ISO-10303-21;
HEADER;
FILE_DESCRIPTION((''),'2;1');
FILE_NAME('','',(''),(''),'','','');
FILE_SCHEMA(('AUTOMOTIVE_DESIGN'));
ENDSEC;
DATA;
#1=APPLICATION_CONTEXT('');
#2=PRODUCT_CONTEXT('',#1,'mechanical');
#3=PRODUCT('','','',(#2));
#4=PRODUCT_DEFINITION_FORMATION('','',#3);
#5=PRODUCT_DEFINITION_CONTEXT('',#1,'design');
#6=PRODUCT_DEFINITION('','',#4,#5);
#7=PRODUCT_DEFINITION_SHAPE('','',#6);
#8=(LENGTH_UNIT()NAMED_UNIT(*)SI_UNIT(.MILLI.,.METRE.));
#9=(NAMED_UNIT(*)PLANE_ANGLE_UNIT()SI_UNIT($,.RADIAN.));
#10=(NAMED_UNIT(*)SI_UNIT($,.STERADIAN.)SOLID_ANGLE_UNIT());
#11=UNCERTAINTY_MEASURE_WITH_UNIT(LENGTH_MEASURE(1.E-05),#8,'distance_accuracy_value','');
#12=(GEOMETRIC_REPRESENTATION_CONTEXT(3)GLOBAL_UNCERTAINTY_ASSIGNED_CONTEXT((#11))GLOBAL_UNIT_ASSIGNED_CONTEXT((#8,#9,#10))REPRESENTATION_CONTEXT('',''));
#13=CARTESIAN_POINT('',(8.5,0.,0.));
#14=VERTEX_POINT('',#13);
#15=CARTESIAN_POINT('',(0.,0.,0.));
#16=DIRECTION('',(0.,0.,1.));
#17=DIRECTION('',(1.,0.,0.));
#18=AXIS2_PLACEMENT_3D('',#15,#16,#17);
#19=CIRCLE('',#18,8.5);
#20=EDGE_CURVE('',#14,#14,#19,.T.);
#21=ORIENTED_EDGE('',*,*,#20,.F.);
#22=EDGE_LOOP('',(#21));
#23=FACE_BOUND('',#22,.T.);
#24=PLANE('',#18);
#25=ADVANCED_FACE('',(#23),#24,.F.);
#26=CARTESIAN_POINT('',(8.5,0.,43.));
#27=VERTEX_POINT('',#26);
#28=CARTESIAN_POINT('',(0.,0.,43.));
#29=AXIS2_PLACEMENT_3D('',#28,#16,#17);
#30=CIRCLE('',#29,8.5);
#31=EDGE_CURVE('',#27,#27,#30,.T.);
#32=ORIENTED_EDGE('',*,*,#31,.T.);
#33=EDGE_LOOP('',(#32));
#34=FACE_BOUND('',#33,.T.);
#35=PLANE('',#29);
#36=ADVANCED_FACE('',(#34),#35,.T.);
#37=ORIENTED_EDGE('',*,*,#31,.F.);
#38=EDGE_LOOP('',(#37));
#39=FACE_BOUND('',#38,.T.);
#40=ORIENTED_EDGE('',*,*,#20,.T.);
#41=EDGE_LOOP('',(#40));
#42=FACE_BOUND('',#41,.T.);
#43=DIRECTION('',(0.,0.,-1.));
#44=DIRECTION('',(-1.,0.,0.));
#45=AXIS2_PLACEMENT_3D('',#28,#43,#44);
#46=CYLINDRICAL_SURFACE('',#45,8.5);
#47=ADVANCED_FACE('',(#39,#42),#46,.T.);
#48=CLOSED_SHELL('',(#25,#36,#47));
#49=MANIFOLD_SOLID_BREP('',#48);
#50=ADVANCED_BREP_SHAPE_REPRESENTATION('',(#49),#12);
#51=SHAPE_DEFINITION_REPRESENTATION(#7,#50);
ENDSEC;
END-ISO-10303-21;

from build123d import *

# Parameters (mm, degrees)
MAIN_SKETCH_R        = 8.5
MAIN_EXTRUSION_DEPTH = 43


with BuildPart() as part:
    # Main-Sketch → Main-Extrusion (new body)
    with BuildSketch(Plane.XY):
        Circle(MAIN_SKETCH_R)
    extrude(amount=MAIN_EXTRUSION_DEPTH)


solid = part.part
